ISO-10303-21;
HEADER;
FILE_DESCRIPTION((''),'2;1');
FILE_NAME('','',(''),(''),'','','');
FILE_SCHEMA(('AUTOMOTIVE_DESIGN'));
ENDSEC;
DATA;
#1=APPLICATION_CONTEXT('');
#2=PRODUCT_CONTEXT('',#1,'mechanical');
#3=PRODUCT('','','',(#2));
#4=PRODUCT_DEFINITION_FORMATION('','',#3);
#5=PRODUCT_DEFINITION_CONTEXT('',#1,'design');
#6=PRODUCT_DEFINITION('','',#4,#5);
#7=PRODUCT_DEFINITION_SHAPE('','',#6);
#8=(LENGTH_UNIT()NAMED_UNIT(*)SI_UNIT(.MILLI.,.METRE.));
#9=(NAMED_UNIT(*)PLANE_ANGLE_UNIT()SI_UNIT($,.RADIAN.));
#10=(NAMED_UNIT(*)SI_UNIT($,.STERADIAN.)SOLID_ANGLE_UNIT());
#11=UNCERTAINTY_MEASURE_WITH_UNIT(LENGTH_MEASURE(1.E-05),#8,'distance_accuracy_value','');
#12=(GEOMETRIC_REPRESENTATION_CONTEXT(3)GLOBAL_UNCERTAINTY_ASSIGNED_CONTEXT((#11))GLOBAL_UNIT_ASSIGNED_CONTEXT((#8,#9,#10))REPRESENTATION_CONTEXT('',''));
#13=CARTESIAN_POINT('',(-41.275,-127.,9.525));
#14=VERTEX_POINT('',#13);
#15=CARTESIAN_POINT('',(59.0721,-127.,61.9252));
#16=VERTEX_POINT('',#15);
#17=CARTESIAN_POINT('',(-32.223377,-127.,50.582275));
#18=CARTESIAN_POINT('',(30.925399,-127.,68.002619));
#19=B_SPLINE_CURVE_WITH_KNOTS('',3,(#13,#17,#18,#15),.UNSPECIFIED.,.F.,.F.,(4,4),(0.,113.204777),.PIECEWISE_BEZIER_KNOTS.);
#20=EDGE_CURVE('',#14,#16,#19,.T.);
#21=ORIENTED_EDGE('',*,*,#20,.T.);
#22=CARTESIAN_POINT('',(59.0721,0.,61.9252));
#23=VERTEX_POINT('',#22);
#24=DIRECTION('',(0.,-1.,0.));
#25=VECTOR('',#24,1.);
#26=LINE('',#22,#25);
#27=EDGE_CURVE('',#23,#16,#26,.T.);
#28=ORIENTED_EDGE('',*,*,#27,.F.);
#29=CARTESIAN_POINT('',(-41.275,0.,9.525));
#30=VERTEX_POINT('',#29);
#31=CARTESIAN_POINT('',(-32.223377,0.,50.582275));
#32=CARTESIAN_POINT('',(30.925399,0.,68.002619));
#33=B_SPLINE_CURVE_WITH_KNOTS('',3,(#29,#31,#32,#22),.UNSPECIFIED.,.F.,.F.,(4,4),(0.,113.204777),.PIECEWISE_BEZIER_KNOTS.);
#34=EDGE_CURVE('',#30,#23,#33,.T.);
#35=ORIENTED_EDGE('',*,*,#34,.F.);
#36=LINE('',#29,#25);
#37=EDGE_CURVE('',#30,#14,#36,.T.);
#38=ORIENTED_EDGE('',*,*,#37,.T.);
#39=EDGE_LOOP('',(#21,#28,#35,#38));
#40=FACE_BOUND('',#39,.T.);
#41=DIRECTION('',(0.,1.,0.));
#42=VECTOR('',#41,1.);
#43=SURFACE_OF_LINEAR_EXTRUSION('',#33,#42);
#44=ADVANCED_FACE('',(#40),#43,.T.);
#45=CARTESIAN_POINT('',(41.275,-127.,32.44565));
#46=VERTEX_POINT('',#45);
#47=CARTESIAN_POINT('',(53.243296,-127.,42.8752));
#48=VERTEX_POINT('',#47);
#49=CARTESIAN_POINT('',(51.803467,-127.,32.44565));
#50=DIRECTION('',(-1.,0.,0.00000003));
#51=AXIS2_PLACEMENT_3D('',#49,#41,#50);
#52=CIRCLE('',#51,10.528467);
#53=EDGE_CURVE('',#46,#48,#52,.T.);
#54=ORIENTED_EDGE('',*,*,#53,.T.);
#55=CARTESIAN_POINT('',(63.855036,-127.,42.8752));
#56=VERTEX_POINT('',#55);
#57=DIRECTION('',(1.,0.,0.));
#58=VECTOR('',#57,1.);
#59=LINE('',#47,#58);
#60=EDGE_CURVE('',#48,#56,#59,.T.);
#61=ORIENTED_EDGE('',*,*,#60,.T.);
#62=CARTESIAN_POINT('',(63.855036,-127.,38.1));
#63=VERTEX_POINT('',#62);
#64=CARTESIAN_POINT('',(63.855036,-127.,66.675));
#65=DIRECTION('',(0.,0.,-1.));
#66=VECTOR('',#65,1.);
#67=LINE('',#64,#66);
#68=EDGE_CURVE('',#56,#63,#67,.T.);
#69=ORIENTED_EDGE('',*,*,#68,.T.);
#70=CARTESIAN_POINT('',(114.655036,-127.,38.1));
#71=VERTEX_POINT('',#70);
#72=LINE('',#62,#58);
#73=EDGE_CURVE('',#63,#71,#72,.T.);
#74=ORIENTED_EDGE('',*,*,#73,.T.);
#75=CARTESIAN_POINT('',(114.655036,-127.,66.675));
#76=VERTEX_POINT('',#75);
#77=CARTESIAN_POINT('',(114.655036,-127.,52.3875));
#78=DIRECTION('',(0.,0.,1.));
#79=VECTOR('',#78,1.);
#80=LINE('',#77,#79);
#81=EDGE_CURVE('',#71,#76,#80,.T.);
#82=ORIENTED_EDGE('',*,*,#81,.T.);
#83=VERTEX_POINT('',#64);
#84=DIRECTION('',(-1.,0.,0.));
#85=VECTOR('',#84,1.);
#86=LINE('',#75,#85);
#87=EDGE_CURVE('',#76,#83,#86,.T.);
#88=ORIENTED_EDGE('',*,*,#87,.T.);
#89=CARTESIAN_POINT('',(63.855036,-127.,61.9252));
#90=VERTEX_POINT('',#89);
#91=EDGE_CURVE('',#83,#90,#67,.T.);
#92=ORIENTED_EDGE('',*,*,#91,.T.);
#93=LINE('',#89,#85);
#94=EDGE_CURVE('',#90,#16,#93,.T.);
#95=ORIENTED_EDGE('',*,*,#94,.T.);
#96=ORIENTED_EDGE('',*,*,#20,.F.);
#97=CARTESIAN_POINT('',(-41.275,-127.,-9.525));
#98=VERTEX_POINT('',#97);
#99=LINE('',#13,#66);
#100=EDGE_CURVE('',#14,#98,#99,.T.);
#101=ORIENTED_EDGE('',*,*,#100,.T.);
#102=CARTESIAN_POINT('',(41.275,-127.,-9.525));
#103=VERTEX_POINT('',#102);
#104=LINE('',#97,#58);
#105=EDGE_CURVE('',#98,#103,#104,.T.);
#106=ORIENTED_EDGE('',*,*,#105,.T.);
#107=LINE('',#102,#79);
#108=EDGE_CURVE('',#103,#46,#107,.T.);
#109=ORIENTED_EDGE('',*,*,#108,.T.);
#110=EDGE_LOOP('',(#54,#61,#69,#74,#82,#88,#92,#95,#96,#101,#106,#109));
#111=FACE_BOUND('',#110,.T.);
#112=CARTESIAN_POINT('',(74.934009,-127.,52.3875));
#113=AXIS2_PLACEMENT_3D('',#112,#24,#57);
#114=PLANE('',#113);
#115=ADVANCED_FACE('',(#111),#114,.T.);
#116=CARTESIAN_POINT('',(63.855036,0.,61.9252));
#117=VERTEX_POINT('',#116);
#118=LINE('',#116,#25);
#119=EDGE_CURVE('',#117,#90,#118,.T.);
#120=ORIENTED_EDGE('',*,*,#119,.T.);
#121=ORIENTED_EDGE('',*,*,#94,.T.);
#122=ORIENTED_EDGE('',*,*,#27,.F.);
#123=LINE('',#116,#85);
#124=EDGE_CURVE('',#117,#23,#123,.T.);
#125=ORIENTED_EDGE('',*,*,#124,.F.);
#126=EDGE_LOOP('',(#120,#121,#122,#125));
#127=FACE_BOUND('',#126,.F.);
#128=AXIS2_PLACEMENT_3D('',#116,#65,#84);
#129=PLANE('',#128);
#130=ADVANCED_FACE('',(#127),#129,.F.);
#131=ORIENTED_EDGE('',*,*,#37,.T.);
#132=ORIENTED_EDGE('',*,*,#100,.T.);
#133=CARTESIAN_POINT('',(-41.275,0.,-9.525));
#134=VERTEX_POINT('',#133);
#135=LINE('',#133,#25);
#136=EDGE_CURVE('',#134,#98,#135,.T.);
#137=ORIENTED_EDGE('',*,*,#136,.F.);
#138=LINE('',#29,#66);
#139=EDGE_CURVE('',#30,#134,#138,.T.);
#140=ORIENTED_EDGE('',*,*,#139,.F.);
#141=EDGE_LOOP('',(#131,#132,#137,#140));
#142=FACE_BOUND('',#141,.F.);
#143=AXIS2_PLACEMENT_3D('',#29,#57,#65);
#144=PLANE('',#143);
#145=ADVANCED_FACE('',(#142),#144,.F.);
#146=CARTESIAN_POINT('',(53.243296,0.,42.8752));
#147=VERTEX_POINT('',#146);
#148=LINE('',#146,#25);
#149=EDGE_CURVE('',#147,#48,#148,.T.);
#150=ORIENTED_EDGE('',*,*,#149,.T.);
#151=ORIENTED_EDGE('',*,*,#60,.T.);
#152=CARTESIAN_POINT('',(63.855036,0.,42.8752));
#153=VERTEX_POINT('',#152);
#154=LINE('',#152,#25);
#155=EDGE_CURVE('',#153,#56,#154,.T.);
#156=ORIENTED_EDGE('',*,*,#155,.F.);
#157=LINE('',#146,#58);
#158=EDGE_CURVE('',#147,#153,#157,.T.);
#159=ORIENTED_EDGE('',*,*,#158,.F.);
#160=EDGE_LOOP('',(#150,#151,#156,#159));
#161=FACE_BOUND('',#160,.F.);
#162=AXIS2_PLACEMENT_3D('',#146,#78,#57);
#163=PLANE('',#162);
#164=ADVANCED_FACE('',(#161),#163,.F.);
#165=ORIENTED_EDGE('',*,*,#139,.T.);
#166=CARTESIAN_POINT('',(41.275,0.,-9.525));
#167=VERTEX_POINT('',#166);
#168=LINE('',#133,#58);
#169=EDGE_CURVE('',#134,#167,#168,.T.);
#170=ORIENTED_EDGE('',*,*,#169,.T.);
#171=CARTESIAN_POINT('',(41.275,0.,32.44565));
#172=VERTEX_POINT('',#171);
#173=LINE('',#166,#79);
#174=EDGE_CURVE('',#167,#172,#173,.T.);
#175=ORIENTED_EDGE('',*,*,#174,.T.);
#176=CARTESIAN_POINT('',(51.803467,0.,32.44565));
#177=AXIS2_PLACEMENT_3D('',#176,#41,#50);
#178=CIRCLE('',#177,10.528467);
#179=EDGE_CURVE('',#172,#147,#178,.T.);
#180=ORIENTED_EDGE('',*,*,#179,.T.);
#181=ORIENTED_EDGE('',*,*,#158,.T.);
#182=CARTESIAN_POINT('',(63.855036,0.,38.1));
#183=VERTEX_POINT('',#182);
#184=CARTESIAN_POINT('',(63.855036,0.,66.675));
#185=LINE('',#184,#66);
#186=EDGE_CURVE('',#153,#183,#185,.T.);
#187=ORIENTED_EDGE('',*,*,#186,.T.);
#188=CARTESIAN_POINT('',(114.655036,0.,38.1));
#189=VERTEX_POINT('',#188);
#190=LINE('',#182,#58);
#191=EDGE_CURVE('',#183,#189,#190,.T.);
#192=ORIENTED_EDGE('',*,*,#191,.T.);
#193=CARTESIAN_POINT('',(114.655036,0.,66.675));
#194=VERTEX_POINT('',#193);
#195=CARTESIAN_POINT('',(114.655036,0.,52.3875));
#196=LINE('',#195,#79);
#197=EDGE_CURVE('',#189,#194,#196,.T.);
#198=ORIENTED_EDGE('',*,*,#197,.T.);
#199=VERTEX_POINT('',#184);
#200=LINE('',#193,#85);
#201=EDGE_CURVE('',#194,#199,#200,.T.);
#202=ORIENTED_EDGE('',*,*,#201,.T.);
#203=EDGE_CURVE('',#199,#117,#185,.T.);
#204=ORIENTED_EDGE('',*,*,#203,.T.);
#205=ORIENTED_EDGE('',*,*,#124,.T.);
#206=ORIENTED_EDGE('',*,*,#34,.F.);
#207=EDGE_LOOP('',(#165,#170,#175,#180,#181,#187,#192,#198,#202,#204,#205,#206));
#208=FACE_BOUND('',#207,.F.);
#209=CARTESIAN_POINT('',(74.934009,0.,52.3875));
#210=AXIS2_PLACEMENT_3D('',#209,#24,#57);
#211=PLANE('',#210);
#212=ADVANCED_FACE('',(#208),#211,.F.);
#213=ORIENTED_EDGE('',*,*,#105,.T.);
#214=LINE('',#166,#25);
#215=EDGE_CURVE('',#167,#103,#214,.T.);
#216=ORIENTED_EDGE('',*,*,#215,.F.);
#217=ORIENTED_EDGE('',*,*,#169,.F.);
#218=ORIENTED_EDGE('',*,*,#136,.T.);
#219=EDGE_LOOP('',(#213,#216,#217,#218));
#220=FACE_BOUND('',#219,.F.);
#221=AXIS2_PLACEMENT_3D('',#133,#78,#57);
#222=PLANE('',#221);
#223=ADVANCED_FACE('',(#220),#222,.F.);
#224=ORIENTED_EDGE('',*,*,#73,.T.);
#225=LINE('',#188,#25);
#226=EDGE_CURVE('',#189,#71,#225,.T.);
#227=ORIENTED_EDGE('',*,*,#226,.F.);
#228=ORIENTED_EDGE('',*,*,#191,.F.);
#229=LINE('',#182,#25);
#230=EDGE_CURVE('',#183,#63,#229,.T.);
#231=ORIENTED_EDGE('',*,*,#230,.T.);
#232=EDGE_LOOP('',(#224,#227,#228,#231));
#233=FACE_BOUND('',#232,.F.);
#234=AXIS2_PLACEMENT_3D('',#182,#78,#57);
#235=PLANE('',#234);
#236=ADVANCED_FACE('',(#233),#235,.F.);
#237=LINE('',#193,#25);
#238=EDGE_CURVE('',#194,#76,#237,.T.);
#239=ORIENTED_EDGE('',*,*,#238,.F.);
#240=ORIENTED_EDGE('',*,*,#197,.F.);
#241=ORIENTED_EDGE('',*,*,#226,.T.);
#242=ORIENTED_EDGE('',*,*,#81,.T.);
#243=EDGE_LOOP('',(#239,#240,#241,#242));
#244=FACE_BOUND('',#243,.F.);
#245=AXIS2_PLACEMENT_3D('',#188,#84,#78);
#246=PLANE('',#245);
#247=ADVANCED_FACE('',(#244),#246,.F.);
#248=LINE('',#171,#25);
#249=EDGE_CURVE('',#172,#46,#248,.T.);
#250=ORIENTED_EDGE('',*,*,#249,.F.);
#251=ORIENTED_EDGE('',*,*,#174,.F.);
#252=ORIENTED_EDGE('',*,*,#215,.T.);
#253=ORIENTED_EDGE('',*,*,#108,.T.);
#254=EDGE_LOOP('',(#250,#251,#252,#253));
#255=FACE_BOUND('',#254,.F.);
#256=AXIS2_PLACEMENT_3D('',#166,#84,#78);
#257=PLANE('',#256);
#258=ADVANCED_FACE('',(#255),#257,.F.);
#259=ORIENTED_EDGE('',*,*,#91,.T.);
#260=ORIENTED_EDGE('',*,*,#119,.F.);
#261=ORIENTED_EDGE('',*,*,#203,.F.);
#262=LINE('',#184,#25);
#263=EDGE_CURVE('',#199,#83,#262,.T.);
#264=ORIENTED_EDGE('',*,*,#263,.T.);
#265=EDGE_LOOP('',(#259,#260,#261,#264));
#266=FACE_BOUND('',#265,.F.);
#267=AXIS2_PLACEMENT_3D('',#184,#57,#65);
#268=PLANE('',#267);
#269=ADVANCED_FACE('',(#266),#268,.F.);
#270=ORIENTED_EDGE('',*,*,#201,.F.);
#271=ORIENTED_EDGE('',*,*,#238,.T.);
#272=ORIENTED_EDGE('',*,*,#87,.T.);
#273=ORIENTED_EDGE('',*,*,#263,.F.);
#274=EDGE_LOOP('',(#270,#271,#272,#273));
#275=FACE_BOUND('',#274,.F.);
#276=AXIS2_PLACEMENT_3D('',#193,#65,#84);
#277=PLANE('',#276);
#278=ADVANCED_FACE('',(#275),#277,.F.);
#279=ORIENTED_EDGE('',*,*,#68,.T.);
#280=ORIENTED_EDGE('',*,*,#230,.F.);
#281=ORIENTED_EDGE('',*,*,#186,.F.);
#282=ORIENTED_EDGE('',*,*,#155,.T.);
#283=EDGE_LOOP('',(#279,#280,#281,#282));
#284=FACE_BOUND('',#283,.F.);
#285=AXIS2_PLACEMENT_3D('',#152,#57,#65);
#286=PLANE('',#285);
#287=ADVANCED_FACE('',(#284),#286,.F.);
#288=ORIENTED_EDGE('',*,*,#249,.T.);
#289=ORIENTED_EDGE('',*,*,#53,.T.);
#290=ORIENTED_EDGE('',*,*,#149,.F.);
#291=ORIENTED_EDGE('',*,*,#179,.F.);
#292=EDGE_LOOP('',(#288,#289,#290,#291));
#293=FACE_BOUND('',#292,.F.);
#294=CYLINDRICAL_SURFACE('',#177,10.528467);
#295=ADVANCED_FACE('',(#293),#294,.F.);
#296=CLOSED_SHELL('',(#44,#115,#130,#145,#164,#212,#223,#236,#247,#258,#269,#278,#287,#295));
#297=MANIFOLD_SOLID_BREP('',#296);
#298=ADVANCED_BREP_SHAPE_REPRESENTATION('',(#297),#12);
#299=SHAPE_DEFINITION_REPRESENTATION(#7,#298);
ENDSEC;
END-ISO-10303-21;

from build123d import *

# Parameters (mm, degrees)
F0_W     = 28.642054
F0_H     = 28.575
F1_DEPTH = 127


with BuildPart() as f1:
    # F0 (on Front) → F1 (new body)
    with BuildSketch(Plane.XZ):
        Polygon((63.855036, 66.675), (63.855036, 61.9252), (63.855036, 42.8752), (63.855036, 38.1), (86.012982, 38.1), (86.012982, 66.675), align=None)
        with BuildLine():
            add(Edge.make_bspline(
                [(-41.275, 9.525), (-32.223377, 50.582275), (30.925399, 68.002619), (59.0721, 61.9252)],
                knots=[0, 0, 0, 0, 113.204777, 113.204777, 113.204777, 113.204777], degree=3))
            Line((-41.275, 9.525), (22.225, 9.525))
            Line((22.225, 9.525), (22.225, 27.579919))
            ThreePointArc((22.225, 27.579919), (33.179421, 52.765764), (59.0721, 61.9252))
        make_face()
        with BuildLine():
            Line((22.225, 27.579919), (22.225, 9.525))
            Line((22.225, 9.525), (41.275, 9.525))
            Line((41.275, 9.525), (41.275, 32.44565))
            ThreePointArc((41.275, 32.44565), (44.88648, 40.38315), (53.243296, 42.8752))
            Line((53.243296, 42.8752), (63.855036, 42.8752))
            Line((63.855036, 42.8752), (63.855036, 61.9252))
            Line((63.855036, 61.9252), (59.0721, 61.9252))
            ThreePointArc((59.0721, 61.9252), (33.179421, 52.765764), (22.225, 27.579919))
        make_face()
        with Locations((100.334009, 52.3875)):
            Rectangle(F0_W, F0_H)
        Polygon((22.225, 9.525), (-41.275, 9.525), (-41.275, -9.525), (41.275, -9.525), (41.275, 9.525), align=None)
    extrude(amount=F1_DEPTH)


solid = f1.part
